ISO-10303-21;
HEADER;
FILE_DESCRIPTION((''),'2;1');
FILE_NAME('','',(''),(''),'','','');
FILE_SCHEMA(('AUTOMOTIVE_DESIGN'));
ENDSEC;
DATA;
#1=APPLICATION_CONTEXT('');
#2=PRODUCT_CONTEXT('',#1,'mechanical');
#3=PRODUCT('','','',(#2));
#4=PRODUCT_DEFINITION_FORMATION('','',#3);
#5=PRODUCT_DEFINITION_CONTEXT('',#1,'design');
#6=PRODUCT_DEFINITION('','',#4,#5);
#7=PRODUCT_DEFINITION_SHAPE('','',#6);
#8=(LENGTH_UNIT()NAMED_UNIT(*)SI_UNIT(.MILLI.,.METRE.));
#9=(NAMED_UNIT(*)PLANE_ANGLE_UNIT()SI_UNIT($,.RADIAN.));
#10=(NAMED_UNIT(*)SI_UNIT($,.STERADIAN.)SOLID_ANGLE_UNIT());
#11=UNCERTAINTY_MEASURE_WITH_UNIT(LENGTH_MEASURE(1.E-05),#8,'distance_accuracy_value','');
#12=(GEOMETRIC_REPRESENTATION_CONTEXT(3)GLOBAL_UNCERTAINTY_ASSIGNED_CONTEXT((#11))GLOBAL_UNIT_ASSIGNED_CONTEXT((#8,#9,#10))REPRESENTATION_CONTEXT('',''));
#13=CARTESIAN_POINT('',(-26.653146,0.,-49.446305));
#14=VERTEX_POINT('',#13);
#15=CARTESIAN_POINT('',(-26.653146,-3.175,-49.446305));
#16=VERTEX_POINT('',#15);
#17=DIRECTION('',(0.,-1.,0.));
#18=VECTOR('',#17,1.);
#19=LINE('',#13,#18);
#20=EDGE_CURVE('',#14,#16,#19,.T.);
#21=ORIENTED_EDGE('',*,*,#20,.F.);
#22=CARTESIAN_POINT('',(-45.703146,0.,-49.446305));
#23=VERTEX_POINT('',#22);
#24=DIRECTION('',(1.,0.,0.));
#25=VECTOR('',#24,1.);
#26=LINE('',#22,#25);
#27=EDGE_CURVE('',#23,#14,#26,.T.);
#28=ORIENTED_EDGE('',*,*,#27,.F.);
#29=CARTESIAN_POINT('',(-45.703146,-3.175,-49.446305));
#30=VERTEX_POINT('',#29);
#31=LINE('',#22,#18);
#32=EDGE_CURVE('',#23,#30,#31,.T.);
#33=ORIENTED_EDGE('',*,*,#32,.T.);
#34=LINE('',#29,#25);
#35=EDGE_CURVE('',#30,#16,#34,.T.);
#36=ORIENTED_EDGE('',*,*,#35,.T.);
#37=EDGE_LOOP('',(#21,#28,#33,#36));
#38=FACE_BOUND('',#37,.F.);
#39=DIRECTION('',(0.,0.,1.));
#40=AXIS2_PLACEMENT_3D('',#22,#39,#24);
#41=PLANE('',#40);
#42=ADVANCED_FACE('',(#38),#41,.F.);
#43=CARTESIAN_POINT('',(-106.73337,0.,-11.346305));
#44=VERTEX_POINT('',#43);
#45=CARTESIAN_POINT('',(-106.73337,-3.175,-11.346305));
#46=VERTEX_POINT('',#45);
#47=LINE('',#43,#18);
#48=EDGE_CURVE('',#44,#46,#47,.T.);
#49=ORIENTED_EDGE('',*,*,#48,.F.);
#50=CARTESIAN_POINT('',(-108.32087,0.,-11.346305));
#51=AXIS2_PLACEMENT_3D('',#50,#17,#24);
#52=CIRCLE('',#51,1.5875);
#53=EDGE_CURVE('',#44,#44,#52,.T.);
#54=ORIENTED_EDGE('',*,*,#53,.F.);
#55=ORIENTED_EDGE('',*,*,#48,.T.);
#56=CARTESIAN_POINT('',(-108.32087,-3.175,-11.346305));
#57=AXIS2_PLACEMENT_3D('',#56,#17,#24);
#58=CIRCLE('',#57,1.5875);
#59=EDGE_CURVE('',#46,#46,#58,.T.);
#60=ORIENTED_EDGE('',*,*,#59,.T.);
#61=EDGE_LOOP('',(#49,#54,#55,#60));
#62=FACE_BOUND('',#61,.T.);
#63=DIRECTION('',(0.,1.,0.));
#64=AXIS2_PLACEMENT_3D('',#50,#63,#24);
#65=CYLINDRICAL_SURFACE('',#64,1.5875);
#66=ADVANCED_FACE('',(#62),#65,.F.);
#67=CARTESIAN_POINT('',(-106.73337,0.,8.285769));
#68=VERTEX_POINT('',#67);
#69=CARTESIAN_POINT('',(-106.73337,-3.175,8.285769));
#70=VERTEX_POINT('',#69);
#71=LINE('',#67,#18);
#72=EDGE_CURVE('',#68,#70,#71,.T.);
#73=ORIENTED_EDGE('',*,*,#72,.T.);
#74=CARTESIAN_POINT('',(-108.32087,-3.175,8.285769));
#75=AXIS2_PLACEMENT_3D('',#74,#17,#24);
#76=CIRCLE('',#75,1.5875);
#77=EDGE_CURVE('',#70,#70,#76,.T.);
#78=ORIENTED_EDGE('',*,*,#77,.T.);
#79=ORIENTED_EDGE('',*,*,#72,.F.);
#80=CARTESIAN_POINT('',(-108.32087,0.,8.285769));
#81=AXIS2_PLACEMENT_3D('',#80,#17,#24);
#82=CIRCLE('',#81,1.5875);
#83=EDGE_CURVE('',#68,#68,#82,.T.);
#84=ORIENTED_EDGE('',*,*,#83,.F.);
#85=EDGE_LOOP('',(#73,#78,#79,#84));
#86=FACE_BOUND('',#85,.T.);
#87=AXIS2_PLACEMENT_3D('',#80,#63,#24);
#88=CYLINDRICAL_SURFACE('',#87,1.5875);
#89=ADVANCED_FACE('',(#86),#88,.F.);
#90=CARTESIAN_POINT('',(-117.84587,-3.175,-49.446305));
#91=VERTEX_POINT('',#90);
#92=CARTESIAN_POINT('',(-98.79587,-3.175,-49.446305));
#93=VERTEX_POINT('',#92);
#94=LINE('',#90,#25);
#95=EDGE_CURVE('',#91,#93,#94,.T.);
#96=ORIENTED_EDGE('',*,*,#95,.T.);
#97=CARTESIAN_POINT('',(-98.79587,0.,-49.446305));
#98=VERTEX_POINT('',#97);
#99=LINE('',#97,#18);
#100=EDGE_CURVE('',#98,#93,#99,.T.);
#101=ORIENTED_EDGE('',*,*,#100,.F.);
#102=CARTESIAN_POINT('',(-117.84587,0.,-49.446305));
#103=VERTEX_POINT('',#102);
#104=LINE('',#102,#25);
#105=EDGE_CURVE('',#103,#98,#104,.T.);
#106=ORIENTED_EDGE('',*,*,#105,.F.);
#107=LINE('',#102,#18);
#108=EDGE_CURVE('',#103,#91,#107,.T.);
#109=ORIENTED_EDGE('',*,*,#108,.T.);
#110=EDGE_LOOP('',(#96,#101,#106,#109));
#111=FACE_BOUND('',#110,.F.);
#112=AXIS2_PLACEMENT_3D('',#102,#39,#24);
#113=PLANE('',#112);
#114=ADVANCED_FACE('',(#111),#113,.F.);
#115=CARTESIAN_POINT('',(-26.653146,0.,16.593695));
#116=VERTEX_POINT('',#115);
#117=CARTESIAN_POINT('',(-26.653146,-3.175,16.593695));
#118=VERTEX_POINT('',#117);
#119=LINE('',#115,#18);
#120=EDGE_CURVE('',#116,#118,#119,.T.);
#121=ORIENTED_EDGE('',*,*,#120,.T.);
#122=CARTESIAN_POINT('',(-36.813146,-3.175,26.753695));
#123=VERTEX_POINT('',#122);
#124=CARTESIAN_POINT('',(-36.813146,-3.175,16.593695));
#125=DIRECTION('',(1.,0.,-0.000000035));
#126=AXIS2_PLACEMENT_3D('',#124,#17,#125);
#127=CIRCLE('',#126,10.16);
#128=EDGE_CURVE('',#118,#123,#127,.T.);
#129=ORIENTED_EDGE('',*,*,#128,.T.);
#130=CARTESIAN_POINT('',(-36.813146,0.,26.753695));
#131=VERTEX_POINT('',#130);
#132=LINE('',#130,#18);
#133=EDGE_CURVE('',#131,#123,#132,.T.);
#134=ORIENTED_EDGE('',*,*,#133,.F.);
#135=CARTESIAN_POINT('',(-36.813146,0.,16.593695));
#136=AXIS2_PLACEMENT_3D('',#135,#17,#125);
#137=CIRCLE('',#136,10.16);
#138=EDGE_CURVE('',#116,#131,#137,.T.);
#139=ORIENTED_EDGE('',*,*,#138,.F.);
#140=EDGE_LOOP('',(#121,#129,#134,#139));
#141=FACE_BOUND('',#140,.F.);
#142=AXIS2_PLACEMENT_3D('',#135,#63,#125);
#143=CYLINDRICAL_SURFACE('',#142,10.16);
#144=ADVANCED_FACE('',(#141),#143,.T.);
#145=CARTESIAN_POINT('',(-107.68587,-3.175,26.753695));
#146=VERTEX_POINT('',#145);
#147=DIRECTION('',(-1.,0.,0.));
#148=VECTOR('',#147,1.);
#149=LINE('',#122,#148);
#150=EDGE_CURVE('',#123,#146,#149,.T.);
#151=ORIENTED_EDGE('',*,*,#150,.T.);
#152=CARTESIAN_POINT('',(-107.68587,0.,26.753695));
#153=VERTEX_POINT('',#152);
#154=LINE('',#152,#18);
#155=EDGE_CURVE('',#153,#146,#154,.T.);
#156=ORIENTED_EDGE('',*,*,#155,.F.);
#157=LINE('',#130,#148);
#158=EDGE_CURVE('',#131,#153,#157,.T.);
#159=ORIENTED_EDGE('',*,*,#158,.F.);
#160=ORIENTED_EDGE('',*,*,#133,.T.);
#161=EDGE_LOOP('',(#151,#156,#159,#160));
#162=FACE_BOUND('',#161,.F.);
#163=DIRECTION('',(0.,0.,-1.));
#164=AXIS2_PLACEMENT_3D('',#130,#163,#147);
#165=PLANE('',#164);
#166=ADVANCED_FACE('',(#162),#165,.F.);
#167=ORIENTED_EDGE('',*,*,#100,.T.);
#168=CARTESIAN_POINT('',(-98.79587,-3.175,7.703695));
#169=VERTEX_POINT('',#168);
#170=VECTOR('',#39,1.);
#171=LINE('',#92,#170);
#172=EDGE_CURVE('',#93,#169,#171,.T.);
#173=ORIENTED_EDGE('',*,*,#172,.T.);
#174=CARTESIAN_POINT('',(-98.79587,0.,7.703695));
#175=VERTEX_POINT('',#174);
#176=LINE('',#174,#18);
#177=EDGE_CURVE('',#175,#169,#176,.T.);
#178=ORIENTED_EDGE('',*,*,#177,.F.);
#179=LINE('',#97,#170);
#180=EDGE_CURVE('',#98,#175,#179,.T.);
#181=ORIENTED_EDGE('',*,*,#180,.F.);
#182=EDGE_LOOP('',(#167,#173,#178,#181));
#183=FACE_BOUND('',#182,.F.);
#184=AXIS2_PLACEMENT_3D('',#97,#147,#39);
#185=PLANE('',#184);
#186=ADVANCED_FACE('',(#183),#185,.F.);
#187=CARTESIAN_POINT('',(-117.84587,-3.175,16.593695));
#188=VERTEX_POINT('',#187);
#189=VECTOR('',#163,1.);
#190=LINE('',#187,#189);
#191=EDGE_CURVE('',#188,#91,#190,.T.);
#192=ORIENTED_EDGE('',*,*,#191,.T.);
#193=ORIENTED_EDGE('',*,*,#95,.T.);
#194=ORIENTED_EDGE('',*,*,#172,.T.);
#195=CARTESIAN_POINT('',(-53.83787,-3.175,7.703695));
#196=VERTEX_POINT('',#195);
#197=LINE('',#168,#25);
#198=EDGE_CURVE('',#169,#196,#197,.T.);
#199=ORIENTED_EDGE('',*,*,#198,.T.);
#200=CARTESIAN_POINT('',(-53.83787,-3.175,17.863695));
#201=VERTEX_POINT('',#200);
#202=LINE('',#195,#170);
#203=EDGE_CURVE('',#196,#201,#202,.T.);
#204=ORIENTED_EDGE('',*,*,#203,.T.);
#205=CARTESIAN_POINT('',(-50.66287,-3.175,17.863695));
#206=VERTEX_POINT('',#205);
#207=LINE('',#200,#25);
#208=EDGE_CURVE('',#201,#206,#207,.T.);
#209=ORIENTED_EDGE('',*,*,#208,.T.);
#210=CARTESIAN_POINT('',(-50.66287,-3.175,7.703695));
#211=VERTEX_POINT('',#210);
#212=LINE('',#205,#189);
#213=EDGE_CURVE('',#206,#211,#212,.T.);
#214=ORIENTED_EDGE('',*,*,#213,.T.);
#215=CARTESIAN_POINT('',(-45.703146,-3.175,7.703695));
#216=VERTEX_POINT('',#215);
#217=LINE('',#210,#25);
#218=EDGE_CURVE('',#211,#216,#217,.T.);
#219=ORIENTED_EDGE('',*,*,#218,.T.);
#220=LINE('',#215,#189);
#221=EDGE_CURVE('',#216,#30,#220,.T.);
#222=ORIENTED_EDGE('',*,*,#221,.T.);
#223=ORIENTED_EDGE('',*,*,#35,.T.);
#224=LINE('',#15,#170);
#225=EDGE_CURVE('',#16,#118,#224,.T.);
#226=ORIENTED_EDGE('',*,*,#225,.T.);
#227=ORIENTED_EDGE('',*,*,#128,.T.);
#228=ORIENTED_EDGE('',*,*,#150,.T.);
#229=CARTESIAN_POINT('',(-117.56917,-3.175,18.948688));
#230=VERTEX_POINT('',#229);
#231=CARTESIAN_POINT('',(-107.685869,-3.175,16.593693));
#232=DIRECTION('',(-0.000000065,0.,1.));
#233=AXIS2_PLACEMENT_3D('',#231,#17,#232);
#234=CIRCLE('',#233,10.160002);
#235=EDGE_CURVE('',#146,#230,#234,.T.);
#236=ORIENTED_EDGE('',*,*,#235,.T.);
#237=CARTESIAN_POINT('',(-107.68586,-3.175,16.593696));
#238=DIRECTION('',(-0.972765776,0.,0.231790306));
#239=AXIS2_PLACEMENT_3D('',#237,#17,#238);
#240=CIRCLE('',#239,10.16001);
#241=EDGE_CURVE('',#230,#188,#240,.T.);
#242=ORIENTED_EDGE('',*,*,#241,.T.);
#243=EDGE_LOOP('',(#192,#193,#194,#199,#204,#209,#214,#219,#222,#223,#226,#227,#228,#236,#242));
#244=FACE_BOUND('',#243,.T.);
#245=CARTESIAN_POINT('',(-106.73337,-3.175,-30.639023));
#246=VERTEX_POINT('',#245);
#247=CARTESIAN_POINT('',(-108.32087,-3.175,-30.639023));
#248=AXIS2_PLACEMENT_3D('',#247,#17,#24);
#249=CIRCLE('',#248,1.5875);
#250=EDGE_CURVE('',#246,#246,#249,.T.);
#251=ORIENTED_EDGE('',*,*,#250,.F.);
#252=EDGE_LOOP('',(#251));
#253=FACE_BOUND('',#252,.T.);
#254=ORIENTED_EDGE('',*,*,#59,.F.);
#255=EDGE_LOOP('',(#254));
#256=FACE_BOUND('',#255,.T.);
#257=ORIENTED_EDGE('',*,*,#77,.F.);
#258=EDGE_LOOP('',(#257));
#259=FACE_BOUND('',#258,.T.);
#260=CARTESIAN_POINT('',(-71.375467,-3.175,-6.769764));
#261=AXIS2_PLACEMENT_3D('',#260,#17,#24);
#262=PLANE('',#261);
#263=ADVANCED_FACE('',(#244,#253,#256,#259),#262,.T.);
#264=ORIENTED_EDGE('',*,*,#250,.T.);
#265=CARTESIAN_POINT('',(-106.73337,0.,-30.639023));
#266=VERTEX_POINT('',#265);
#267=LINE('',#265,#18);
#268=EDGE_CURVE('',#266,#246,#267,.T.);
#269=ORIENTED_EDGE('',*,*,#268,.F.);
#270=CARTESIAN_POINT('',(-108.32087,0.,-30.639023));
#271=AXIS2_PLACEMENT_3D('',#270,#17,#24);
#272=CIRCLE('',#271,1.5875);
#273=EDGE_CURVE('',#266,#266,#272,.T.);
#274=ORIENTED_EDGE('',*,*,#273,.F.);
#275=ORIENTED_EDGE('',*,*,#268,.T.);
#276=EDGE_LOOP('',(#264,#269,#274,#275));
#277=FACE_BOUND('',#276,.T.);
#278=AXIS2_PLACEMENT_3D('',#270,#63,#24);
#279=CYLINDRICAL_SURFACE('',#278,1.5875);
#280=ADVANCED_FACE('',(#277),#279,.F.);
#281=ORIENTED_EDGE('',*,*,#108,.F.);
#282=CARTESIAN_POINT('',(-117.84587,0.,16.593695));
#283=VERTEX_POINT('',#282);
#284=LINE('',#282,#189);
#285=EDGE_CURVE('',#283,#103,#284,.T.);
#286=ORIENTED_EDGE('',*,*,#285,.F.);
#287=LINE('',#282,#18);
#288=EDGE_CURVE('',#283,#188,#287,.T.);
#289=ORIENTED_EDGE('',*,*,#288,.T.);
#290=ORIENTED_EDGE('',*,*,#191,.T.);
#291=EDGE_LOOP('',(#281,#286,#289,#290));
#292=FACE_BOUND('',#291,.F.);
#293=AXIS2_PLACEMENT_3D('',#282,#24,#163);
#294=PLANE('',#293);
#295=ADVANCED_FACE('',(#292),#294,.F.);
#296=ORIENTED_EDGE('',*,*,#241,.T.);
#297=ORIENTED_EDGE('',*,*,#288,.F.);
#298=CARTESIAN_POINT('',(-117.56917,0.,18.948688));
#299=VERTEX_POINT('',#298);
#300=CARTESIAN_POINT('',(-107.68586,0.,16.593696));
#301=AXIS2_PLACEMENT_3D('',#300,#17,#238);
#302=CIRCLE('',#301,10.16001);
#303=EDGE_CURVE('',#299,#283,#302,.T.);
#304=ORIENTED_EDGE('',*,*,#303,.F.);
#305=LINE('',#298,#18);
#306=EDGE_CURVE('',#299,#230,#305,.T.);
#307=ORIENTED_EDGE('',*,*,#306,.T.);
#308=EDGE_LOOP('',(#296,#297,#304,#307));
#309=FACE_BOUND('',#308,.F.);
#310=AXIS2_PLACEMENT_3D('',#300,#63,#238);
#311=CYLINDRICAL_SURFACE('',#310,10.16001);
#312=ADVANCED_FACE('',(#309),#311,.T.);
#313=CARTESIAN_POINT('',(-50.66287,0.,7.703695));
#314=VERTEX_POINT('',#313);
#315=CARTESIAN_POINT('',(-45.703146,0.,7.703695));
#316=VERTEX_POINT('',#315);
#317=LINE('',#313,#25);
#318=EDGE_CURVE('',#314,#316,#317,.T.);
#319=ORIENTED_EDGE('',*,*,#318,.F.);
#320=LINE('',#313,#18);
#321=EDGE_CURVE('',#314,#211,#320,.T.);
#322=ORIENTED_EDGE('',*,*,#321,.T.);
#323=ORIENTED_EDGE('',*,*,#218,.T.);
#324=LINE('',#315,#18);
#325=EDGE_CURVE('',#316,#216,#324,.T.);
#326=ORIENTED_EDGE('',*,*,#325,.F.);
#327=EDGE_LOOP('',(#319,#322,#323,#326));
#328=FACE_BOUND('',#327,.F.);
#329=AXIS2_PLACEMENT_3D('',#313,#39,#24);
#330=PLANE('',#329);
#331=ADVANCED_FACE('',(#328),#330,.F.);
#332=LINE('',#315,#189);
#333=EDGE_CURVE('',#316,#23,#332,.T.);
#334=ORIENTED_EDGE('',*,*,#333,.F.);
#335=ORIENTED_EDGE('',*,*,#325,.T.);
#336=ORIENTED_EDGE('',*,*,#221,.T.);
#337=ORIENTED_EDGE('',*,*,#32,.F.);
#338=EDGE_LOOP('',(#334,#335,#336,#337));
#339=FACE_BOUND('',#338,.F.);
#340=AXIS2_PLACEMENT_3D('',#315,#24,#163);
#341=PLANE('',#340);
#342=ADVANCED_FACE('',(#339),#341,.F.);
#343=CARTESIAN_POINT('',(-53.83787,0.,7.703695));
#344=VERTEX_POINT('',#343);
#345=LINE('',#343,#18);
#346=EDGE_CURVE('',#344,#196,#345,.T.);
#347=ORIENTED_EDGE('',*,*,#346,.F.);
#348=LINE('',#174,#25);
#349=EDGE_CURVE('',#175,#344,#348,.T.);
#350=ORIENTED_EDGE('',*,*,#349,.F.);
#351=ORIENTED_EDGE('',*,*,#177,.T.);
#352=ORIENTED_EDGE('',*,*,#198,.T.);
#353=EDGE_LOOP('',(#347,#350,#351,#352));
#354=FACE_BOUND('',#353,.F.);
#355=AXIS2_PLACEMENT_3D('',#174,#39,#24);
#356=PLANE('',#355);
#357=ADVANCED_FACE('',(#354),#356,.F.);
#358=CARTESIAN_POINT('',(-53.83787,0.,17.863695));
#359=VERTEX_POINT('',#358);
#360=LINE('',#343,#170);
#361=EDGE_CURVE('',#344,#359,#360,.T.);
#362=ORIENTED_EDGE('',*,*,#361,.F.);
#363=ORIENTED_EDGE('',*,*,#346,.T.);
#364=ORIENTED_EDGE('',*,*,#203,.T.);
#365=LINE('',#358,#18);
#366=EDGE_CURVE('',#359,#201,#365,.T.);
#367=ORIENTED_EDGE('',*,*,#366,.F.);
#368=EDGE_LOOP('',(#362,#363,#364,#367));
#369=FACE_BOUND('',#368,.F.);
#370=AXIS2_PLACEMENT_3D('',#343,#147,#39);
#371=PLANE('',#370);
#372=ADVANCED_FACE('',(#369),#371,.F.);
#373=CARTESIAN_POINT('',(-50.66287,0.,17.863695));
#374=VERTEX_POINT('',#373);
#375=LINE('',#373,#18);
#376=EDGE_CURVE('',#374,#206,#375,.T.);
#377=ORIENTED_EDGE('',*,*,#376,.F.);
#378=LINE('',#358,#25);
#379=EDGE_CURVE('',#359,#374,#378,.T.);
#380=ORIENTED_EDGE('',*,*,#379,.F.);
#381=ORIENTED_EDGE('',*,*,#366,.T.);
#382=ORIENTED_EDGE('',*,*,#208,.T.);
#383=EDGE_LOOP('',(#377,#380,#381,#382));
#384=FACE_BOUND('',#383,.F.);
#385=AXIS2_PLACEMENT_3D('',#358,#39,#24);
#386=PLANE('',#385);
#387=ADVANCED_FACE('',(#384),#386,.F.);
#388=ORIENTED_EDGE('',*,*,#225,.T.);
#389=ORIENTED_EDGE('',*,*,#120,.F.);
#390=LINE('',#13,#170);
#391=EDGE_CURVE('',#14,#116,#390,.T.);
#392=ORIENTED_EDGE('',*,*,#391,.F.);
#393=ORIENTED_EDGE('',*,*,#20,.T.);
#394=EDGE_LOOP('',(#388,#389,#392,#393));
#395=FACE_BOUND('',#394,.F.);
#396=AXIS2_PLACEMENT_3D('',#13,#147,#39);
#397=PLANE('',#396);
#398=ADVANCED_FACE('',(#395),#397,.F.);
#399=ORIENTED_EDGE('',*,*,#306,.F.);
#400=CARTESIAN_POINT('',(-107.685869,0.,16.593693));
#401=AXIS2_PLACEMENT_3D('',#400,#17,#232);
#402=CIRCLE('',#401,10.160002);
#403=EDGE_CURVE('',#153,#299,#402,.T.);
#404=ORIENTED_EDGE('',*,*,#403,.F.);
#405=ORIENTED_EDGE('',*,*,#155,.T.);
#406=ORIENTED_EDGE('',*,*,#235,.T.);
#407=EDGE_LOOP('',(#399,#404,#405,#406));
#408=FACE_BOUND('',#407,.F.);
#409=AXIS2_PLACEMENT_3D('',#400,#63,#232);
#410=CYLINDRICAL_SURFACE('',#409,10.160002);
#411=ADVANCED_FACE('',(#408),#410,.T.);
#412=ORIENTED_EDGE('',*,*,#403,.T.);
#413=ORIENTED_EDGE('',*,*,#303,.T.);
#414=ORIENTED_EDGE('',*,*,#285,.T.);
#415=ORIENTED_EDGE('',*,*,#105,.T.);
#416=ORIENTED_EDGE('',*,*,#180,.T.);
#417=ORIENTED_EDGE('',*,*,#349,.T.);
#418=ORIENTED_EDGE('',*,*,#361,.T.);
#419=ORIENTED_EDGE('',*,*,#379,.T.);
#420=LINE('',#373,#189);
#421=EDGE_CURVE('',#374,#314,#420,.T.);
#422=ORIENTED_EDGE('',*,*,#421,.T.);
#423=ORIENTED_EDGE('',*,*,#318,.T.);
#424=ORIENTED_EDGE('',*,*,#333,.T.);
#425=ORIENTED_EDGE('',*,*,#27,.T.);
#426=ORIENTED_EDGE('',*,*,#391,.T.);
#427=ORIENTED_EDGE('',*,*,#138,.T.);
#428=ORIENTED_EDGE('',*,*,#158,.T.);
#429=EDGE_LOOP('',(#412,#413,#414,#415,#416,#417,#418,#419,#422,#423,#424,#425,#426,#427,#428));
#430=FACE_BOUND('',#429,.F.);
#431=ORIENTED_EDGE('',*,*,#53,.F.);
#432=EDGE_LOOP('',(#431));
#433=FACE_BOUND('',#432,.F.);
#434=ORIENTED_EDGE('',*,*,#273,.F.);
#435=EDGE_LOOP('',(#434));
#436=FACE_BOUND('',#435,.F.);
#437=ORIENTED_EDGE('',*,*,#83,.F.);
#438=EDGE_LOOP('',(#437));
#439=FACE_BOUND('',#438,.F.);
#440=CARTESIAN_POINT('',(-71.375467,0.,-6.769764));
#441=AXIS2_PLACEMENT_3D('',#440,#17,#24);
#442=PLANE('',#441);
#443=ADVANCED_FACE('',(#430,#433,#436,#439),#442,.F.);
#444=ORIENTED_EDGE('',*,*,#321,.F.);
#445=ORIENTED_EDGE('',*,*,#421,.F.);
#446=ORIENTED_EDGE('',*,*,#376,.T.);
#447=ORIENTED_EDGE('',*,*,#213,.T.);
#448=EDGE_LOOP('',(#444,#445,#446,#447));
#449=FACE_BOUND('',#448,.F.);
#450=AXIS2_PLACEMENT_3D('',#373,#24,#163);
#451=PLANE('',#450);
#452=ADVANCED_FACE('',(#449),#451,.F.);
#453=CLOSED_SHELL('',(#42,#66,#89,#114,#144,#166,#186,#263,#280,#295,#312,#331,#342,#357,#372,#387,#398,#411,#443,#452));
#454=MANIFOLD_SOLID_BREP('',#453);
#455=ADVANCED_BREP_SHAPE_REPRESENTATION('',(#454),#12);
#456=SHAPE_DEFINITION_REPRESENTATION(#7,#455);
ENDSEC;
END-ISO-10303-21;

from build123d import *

# Parameters (mm, degrees)
F0_R     = 1.5875
F1_DEPTH = 3.175


with BuildPart() as f1:
    # F0 (on Front) → F1 (new body)
    with BuildSketch(Plane.XZ):
        with BuildLine():
            Line((-45.703146, 7.703695), (-45.703146, -49.446305))
            Line((-45.703146, -49.446305), (-26.653146, -49.446305))
            Line((-26.653146, -49.446305), (-26.653146, 16.593695))
            ThreePointArc((-26.653146, 16.593695), (-29.628941, 23.7779), (-36.813146, 26.753695))
            Line((-36.813146, 26.753695), (-45.703146, 26.753695))
            Line((-45.703146, 26.753695), (-107.68587, 26.753695))
            ThreePointArc((-107.68587, 26.753695), (-113.98265, 24.567161), (-117.56917, 18.948688))
            ThreePointArc((-117.56917, 18.948688), (-117.776458, 17.779291), (-117.84587, 16.593695))
            Line((-117.84587, 16.593695), (-117.84587, 7.703695))
            Line((-117.84587, 7.703695), (-117.84587, -49.446305))
            Line((-117.84587, -49.446305), (-98.79587, -49.446305))
            Line((-98.79587, -49.446305), (-98.79587, 7.703695))
            Line((-98.79587, 7.703695), (-53.83787, 7.703695))
            Line((-53.83787, 7.703695), (-53.83787, 17.863695))
            Line((-53.83787, 17.863695), (-50.66287, 17.863695))
            Line((-50.66287, 17.863695), (-50.66287, 7.703695))
            Line((-50.66287, 7.703695), (-45.703146, 7.703695))
        make_face()
        with Locations((-108.32087, -30.639023)):
            Circle(F0_R, mode=Mode.SUBTRACT)
        with Locations((-108.32087, -11.346305)):
            Circle(F0_R, mode=Mode.SUBTRACT)
        with Locations((-108.32087, 8.285769)):
            Circle(F0_R, mode=Mode.SUBTRACT)
    extrude(amount=F1_DEPTH)


solid = f1.part
